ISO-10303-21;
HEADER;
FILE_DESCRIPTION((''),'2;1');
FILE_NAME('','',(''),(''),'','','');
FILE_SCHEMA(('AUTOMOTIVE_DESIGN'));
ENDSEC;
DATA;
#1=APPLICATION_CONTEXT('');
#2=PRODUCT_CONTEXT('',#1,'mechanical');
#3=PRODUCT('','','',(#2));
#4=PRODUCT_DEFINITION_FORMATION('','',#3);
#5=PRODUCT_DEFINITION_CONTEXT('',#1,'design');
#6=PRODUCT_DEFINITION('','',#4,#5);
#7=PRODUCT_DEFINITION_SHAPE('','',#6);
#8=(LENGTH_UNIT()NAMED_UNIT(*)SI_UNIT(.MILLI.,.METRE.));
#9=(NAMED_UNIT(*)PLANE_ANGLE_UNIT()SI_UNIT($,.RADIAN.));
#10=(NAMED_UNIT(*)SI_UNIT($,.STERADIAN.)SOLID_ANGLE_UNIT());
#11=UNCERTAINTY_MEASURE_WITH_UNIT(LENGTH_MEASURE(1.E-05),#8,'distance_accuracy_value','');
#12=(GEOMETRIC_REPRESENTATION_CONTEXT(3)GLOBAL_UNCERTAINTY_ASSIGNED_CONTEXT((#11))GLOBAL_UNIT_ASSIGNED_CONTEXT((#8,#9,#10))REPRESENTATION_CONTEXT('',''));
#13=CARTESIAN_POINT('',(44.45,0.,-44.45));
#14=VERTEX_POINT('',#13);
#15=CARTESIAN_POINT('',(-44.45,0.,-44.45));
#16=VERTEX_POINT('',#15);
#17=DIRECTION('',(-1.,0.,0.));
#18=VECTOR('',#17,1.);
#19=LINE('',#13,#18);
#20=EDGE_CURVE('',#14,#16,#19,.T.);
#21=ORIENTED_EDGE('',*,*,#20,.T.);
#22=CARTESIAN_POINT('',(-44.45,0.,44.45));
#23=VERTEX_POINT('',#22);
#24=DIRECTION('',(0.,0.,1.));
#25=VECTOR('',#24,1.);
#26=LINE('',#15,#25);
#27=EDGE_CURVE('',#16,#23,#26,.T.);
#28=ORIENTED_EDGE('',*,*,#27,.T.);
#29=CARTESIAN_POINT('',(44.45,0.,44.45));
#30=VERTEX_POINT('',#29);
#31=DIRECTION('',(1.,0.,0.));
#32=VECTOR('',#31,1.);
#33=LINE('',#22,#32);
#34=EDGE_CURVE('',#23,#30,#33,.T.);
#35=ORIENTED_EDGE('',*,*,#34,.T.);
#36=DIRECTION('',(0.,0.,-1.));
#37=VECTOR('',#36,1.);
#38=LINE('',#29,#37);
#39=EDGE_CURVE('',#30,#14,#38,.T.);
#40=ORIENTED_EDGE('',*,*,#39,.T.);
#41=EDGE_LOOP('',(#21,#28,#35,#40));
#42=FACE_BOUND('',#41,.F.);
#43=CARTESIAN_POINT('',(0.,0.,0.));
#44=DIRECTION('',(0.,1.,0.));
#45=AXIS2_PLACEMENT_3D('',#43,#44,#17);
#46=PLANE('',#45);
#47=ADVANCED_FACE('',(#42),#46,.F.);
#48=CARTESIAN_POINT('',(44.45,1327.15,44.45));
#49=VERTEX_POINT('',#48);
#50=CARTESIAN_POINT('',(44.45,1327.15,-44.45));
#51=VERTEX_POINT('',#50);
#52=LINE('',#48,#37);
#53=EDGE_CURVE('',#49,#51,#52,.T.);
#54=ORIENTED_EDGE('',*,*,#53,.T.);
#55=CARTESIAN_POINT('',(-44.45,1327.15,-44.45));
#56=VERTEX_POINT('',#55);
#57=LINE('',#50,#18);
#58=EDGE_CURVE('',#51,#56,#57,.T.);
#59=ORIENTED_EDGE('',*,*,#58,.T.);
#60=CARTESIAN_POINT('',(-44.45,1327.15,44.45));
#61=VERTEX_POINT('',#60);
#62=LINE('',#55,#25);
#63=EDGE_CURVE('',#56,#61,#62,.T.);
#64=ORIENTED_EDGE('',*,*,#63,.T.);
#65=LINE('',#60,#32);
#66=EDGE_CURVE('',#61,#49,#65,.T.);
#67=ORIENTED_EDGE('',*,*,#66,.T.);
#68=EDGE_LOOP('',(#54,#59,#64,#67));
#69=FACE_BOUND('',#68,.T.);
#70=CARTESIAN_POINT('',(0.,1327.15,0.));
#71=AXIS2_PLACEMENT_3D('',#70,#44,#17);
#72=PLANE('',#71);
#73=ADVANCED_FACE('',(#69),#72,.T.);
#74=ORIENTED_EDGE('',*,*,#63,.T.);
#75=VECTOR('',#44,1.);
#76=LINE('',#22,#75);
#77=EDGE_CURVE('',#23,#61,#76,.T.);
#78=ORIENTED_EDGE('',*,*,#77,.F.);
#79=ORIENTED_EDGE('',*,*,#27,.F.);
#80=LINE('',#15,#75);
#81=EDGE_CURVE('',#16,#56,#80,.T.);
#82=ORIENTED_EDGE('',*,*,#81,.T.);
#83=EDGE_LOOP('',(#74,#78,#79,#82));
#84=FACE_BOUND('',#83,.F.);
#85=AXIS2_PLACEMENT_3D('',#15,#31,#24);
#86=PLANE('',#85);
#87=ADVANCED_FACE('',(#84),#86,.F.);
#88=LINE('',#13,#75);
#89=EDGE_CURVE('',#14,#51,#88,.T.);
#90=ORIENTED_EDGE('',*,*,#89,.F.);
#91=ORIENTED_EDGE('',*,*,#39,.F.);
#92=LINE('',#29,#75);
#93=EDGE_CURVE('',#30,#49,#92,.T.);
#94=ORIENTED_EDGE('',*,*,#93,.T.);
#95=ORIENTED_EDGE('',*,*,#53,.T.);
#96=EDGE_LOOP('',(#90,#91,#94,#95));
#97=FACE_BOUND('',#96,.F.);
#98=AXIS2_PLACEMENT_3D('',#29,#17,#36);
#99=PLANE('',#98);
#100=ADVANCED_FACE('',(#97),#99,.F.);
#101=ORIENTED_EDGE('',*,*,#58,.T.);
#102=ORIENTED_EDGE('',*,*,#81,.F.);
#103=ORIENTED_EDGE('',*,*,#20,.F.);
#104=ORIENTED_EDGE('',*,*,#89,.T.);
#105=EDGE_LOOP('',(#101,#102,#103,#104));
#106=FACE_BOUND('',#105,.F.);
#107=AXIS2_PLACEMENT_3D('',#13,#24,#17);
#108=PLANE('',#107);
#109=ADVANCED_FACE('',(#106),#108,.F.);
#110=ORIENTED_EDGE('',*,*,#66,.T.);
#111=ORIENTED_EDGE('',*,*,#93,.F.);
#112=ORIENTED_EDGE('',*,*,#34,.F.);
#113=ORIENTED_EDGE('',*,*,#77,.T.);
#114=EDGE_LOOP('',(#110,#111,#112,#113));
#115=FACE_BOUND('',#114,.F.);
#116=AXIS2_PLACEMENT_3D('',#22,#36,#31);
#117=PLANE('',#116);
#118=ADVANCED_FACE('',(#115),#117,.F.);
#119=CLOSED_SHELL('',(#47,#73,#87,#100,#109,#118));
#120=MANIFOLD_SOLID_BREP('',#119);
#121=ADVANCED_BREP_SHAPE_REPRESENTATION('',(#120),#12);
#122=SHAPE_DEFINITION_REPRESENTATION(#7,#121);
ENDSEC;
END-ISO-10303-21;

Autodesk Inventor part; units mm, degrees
ref_plane "YZ Plane" through (0, 0, 0) normal (1, 0, 0) x (0, 1, 0)
ref_plane "XZ Plane" through (0, 0, 0) normal (0, 1, 0) x (-1, 0, 0)
ref_plane "XY Plane" through (0, 0, 0) normal (0, 0, 1) x (1, 0, 0)
sketch "Sketch1" plane through (0, 0, 0) normal (0, 1, 0) x (-1, 0, 0)
  line L0 (-44.45, 44.45) -> (-44.45, -44.45)
  line L1 (-44.45, -44.45) -> (44.45, -44.45)
  line L2 (44.45, -44.45) -> (44.45, 44.45)
  line L3 (44.45, 44.45) -> (-44.45, 44.45)
  line L4 (-44.45, 44.45) -> (44.45, -44.45) construction
  line L5 (-44.45, -44.45) -> (44.45, 44.45) construction
  point P0 (0, 0)
  dimension "d0" = 88.9
extrude "Extrusion1" add sketch "Sketch1" along normal blind 1327.15
properties part number "Front Post South Side" material "Wood (Birch)"
